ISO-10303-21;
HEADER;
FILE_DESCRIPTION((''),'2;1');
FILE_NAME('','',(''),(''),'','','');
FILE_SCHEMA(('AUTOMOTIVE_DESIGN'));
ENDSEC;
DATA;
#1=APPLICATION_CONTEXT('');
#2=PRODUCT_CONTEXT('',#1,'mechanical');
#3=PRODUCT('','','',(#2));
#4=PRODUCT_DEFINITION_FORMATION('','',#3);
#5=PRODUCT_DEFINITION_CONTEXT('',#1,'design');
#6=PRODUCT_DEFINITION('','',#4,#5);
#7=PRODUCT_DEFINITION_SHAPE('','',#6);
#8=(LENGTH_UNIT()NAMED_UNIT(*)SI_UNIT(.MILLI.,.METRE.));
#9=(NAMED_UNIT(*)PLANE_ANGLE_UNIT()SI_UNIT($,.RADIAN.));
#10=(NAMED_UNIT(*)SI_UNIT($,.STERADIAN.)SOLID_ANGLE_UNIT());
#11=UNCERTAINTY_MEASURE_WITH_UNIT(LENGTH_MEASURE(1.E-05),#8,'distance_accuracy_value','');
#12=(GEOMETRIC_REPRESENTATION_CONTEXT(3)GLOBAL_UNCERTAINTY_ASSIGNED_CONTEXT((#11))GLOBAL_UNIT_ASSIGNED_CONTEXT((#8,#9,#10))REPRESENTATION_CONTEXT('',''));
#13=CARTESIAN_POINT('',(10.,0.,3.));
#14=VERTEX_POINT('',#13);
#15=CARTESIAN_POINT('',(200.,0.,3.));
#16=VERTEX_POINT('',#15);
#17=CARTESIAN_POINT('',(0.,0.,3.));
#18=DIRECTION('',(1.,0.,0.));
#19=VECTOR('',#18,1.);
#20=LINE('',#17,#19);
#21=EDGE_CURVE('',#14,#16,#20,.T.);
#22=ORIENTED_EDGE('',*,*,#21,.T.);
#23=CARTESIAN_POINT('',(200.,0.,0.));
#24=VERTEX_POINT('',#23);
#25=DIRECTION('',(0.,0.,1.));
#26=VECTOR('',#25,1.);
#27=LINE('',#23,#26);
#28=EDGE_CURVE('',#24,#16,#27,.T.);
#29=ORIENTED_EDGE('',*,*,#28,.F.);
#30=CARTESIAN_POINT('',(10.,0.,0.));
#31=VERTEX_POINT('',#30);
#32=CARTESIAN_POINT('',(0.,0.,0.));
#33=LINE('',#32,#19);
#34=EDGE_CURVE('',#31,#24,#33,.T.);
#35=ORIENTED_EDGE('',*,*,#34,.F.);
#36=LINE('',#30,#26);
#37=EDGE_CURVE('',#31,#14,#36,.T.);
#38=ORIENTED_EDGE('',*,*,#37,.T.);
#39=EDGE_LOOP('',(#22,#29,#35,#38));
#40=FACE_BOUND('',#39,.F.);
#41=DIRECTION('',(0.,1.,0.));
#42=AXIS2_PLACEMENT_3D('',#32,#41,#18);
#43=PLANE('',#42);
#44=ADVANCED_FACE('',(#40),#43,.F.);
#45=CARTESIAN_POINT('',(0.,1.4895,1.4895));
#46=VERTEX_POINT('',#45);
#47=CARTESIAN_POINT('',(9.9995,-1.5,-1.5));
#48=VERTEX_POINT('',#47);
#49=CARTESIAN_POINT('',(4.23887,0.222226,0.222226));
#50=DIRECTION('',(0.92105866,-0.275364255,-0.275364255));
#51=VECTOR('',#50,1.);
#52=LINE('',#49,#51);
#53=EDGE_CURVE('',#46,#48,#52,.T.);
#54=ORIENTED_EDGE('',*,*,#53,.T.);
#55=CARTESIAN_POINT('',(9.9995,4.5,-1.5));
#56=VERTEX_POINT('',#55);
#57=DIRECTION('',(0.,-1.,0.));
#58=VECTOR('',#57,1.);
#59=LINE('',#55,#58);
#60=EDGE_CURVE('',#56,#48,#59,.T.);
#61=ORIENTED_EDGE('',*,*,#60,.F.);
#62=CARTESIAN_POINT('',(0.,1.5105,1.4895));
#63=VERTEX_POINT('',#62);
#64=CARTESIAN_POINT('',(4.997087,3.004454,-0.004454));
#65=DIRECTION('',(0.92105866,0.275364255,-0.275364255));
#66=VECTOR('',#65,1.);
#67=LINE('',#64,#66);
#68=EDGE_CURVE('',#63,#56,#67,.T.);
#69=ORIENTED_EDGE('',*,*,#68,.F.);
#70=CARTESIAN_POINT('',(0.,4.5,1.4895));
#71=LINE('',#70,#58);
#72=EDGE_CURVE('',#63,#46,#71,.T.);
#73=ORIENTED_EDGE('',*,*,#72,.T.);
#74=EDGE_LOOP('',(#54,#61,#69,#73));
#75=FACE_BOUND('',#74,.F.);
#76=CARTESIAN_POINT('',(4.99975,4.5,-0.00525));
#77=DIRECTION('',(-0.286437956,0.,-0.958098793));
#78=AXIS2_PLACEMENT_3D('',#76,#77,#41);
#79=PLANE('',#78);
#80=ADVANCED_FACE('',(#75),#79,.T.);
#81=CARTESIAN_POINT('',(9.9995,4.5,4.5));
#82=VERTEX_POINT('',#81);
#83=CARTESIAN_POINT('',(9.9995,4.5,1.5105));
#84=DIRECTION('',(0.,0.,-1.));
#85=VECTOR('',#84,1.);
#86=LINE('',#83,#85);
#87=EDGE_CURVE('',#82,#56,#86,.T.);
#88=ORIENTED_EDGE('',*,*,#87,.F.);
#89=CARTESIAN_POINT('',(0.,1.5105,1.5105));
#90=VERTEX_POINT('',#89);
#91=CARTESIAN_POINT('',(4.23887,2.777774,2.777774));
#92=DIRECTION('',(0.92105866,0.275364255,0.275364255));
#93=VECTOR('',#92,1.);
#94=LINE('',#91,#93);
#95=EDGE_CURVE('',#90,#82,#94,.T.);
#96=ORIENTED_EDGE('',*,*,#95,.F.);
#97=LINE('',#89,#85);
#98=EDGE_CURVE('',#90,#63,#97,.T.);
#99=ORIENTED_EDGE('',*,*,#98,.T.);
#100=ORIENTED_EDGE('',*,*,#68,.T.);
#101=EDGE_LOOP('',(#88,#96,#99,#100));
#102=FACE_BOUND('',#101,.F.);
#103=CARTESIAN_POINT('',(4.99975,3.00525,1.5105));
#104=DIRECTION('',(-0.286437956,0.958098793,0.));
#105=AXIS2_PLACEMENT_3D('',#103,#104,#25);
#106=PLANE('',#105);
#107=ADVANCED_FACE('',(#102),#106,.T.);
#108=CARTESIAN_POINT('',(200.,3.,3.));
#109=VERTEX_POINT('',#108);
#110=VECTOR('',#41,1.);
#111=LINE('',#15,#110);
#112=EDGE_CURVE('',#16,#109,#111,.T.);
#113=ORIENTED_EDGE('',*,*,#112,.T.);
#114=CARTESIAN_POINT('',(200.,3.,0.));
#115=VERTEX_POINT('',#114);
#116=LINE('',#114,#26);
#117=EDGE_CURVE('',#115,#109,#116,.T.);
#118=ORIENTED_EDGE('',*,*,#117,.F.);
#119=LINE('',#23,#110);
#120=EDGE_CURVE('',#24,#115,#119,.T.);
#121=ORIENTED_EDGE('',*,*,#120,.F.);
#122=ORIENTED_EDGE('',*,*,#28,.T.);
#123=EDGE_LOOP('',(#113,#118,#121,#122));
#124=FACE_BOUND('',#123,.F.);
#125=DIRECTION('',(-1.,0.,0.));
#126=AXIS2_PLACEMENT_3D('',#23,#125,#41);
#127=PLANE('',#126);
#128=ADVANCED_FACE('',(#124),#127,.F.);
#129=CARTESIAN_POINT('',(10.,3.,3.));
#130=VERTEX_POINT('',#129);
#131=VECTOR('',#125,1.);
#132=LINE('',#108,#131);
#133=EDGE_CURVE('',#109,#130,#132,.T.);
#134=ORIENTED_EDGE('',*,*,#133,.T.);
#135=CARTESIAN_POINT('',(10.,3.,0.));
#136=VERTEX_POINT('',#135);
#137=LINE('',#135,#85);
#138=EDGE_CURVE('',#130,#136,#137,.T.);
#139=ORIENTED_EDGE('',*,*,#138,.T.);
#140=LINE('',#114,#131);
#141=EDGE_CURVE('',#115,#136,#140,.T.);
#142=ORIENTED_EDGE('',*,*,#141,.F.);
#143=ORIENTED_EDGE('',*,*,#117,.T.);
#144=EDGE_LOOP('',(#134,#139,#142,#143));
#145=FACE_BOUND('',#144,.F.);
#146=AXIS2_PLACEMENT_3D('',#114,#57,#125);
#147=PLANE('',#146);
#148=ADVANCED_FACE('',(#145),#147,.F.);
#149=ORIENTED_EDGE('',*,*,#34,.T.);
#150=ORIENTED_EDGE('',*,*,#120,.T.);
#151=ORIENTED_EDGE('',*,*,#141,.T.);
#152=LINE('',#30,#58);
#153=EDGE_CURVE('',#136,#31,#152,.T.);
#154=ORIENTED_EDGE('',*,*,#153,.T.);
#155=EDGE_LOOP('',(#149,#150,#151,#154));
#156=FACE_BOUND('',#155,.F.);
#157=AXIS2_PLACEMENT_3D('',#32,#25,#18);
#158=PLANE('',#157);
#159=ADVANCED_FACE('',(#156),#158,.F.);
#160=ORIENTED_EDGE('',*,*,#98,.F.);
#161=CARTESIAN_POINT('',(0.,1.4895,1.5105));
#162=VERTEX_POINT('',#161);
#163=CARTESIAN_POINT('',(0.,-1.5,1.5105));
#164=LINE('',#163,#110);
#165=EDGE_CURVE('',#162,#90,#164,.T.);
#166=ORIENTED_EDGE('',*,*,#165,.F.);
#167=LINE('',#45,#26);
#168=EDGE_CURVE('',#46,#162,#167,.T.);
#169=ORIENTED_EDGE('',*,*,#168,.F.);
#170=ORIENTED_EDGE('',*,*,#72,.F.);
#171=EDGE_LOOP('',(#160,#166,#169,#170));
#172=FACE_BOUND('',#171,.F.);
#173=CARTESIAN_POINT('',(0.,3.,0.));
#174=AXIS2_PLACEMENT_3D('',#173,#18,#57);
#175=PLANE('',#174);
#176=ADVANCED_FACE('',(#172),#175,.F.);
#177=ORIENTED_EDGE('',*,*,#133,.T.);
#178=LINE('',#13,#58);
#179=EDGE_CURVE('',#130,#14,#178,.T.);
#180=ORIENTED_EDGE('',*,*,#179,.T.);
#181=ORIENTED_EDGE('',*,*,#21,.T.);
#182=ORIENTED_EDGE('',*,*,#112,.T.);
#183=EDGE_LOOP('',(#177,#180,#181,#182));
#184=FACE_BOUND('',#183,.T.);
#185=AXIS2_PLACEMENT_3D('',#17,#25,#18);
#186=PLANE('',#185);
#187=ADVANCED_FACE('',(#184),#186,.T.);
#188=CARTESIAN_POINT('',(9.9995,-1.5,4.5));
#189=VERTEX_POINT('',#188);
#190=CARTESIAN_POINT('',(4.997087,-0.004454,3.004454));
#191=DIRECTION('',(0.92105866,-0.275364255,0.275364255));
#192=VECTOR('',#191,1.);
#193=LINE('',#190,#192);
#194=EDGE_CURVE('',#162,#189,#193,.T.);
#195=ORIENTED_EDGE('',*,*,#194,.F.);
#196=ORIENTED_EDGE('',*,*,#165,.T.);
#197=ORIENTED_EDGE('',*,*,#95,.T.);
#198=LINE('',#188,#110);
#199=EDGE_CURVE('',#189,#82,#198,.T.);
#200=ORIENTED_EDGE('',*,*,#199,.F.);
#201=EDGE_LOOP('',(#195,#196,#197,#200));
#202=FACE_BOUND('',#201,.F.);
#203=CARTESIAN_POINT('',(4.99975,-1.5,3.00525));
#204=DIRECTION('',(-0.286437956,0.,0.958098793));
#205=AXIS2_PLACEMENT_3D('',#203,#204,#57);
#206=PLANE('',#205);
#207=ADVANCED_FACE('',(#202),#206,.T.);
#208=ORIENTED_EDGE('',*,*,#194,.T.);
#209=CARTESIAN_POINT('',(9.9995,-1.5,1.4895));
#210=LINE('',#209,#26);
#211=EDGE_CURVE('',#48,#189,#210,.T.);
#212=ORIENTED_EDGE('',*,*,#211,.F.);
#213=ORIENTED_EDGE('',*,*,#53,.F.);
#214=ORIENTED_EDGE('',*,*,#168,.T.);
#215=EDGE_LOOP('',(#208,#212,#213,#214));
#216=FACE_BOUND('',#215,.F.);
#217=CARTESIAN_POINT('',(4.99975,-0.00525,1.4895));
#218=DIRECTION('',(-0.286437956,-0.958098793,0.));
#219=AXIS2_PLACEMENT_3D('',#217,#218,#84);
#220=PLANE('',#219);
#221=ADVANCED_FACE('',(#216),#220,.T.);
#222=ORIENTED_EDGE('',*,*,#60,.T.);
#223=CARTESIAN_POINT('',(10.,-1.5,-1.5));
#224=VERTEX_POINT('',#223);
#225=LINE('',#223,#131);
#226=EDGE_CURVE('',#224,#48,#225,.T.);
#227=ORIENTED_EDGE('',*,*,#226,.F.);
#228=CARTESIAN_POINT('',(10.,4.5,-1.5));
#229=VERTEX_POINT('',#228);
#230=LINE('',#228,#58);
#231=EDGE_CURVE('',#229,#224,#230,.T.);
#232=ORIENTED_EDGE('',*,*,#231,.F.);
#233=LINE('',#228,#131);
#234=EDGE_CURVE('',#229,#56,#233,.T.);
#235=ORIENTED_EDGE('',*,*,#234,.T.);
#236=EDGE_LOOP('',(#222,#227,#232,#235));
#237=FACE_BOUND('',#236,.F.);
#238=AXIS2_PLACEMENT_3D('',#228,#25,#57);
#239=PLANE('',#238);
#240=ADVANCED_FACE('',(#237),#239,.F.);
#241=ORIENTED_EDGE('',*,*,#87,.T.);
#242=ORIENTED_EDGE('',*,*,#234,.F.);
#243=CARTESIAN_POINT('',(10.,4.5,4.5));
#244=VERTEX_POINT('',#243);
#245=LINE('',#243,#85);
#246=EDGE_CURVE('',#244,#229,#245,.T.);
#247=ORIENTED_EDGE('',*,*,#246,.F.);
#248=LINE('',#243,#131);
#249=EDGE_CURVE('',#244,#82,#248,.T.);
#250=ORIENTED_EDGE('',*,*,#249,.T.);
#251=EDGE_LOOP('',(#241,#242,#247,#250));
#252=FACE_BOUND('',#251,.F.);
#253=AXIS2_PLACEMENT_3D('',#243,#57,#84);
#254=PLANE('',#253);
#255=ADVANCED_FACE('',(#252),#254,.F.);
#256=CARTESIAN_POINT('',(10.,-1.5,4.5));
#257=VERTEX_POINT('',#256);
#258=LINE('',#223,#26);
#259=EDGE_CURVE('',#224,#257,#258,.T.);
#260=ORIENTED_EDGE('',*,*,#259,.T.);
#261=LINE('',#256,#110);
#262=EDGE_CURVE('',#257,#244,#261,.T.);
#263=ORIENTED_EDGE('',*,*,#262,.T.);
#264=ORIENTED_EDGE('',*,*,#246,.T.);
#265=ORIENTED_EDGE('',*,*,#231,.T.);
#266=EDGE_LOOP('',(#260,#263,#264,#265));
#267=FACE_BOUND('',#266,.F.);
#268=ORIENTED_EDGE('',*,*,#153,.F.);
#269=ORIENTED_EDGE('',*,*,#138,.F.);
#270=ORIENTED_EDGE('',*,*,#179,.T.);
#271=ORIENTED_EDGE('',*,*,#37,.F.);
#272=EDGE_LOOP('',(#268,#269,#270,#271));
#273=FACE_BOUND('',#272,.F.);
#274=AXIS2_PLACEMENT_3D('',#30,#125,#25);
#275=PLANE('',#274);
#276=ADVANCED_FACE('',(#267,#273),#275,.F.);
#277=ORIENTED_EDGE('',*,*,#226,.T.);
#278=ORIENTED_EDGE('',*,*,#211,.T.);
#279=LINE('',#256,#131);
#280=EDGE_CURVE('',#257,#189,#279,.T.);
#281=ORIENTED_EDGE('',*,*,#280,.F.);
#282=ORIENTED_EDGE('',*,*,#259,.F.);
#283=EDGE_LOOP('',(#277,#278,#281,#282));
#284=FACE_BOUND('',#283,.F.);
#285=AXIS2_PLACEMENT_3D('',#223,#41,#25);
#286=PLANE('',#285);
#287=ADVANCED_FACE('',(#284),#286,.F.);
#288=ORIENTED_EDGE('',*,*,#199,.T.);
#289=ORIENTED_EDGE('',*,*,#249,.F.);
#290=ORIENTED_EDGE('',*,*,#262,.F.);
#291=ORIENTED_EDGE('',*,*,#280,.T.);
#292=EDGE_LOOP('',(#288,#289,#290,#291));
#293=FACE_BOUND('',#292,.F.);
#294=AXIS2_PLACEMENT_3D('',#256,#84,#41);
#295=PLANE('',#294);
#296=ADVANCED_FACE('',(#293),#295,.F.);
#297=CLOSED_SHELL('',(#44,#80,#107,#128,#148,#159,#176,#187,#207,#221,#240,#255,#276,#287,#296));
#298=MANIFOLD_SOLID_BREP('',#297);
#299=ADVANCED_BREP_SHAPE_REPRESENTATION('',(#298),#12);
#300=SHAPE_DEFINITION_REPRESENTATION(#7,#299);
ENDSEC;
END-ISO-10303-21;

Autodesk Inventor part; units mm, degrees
ref_plane "YZ Plane" through (0, 0, 0) normal (1, 0, 0) x (0, 1, 0)
ref_plane "XZ Plane" through (0, 0, 0) normal (0, 1, 0) x (-1, 0, 0)
ref_plane "XY Plane" through (0, 0, 0) normal (0, 0, 1) x (1, 0, 0)
sketch "Skizze1" plane through (0, 0, 0) normal (0, 0, 1) x (1, 0, 0)
  line L0 (0, 0) -> (200, 0)
  line L1 (200, 0) -> (200, 3)
  line L2 (200, 3) -> (0, 3)
  line L3 (0, 3) -> (0, 0)
  dimension "d0" = 200
  dimension "d1" = 3
extrude "Extrusion1" add sketch "Skizze1" along normal blind 3
sketch "Skizze2" plane through (200, 0, 0) normal (1, 0, 0) x (0, 0, -1)
  point P0 (0, 0)
sketch "Skizze3" plane through (0, 0, 0) normal (0, -1, 0) x (1, 0, 0)
  line L0 (0, 0) -> (200, 0) projected
  line L1 (200, 0) -> (53.164, 0)
  dimension "d4" = 146.836
sketch "Skizze4" plane through (10, 0, 0) normal (-1, 0, 0) x (0, 0, 1)
  line L0 (0, 3) -> (3, 3) projected
  line L1 (0, 0) -> (3, 3)
  line L2 (3, 3) -> (0, 3)
  line L3 (0, 3) -> (3, 0)
  line L4 (-1.5, -1.5) -> (4.5, -1.5)
  line L5 (4.5, -1.5) -> (4.5, 4.5)
  line L6 (4.5, 4.5) -> (-1.5, 4.5)
  line L7 (-1.5, 4.5) -> (-1.5, -1.5)
  line L8 (-1.5, -1.5) -> (4.5, 4.5) construction
  line L9 (4.5, -1.5) -> (-1.5, 4.5) construction
  point P0 (1.5, 1.5)
  dimension "d14" = 6
  dimension "d15" = 6
extrude "Extrusion2" add sketch "Skizze4" along normal blind 10 contours L0 L1 L3 | L7 L6 L5 L4
chamfer "Fase1" distance 2.99 distance2 10 1 edges at (0, 1.5, -1.5) measured on face at (0, 2.5, 0.5)
chamfer "Fase2" distance 2.99 distance2 10 1 edges at (0, 1.5, 4.5) measured on face at (0, 2.5, 2.493)
chamfer "Fase3" distance 2.99 distance2 10 1 edges at (0, -1.5, 1.5) measured on face at (0, 0.5, 1.5035)
chamfer "Fase4" distance 2.99 distance2 10 1 edges at (0, 4.5, 1.5) measured on face at (0, 3.4965, 1.4965)
properties part number "blueStick"
